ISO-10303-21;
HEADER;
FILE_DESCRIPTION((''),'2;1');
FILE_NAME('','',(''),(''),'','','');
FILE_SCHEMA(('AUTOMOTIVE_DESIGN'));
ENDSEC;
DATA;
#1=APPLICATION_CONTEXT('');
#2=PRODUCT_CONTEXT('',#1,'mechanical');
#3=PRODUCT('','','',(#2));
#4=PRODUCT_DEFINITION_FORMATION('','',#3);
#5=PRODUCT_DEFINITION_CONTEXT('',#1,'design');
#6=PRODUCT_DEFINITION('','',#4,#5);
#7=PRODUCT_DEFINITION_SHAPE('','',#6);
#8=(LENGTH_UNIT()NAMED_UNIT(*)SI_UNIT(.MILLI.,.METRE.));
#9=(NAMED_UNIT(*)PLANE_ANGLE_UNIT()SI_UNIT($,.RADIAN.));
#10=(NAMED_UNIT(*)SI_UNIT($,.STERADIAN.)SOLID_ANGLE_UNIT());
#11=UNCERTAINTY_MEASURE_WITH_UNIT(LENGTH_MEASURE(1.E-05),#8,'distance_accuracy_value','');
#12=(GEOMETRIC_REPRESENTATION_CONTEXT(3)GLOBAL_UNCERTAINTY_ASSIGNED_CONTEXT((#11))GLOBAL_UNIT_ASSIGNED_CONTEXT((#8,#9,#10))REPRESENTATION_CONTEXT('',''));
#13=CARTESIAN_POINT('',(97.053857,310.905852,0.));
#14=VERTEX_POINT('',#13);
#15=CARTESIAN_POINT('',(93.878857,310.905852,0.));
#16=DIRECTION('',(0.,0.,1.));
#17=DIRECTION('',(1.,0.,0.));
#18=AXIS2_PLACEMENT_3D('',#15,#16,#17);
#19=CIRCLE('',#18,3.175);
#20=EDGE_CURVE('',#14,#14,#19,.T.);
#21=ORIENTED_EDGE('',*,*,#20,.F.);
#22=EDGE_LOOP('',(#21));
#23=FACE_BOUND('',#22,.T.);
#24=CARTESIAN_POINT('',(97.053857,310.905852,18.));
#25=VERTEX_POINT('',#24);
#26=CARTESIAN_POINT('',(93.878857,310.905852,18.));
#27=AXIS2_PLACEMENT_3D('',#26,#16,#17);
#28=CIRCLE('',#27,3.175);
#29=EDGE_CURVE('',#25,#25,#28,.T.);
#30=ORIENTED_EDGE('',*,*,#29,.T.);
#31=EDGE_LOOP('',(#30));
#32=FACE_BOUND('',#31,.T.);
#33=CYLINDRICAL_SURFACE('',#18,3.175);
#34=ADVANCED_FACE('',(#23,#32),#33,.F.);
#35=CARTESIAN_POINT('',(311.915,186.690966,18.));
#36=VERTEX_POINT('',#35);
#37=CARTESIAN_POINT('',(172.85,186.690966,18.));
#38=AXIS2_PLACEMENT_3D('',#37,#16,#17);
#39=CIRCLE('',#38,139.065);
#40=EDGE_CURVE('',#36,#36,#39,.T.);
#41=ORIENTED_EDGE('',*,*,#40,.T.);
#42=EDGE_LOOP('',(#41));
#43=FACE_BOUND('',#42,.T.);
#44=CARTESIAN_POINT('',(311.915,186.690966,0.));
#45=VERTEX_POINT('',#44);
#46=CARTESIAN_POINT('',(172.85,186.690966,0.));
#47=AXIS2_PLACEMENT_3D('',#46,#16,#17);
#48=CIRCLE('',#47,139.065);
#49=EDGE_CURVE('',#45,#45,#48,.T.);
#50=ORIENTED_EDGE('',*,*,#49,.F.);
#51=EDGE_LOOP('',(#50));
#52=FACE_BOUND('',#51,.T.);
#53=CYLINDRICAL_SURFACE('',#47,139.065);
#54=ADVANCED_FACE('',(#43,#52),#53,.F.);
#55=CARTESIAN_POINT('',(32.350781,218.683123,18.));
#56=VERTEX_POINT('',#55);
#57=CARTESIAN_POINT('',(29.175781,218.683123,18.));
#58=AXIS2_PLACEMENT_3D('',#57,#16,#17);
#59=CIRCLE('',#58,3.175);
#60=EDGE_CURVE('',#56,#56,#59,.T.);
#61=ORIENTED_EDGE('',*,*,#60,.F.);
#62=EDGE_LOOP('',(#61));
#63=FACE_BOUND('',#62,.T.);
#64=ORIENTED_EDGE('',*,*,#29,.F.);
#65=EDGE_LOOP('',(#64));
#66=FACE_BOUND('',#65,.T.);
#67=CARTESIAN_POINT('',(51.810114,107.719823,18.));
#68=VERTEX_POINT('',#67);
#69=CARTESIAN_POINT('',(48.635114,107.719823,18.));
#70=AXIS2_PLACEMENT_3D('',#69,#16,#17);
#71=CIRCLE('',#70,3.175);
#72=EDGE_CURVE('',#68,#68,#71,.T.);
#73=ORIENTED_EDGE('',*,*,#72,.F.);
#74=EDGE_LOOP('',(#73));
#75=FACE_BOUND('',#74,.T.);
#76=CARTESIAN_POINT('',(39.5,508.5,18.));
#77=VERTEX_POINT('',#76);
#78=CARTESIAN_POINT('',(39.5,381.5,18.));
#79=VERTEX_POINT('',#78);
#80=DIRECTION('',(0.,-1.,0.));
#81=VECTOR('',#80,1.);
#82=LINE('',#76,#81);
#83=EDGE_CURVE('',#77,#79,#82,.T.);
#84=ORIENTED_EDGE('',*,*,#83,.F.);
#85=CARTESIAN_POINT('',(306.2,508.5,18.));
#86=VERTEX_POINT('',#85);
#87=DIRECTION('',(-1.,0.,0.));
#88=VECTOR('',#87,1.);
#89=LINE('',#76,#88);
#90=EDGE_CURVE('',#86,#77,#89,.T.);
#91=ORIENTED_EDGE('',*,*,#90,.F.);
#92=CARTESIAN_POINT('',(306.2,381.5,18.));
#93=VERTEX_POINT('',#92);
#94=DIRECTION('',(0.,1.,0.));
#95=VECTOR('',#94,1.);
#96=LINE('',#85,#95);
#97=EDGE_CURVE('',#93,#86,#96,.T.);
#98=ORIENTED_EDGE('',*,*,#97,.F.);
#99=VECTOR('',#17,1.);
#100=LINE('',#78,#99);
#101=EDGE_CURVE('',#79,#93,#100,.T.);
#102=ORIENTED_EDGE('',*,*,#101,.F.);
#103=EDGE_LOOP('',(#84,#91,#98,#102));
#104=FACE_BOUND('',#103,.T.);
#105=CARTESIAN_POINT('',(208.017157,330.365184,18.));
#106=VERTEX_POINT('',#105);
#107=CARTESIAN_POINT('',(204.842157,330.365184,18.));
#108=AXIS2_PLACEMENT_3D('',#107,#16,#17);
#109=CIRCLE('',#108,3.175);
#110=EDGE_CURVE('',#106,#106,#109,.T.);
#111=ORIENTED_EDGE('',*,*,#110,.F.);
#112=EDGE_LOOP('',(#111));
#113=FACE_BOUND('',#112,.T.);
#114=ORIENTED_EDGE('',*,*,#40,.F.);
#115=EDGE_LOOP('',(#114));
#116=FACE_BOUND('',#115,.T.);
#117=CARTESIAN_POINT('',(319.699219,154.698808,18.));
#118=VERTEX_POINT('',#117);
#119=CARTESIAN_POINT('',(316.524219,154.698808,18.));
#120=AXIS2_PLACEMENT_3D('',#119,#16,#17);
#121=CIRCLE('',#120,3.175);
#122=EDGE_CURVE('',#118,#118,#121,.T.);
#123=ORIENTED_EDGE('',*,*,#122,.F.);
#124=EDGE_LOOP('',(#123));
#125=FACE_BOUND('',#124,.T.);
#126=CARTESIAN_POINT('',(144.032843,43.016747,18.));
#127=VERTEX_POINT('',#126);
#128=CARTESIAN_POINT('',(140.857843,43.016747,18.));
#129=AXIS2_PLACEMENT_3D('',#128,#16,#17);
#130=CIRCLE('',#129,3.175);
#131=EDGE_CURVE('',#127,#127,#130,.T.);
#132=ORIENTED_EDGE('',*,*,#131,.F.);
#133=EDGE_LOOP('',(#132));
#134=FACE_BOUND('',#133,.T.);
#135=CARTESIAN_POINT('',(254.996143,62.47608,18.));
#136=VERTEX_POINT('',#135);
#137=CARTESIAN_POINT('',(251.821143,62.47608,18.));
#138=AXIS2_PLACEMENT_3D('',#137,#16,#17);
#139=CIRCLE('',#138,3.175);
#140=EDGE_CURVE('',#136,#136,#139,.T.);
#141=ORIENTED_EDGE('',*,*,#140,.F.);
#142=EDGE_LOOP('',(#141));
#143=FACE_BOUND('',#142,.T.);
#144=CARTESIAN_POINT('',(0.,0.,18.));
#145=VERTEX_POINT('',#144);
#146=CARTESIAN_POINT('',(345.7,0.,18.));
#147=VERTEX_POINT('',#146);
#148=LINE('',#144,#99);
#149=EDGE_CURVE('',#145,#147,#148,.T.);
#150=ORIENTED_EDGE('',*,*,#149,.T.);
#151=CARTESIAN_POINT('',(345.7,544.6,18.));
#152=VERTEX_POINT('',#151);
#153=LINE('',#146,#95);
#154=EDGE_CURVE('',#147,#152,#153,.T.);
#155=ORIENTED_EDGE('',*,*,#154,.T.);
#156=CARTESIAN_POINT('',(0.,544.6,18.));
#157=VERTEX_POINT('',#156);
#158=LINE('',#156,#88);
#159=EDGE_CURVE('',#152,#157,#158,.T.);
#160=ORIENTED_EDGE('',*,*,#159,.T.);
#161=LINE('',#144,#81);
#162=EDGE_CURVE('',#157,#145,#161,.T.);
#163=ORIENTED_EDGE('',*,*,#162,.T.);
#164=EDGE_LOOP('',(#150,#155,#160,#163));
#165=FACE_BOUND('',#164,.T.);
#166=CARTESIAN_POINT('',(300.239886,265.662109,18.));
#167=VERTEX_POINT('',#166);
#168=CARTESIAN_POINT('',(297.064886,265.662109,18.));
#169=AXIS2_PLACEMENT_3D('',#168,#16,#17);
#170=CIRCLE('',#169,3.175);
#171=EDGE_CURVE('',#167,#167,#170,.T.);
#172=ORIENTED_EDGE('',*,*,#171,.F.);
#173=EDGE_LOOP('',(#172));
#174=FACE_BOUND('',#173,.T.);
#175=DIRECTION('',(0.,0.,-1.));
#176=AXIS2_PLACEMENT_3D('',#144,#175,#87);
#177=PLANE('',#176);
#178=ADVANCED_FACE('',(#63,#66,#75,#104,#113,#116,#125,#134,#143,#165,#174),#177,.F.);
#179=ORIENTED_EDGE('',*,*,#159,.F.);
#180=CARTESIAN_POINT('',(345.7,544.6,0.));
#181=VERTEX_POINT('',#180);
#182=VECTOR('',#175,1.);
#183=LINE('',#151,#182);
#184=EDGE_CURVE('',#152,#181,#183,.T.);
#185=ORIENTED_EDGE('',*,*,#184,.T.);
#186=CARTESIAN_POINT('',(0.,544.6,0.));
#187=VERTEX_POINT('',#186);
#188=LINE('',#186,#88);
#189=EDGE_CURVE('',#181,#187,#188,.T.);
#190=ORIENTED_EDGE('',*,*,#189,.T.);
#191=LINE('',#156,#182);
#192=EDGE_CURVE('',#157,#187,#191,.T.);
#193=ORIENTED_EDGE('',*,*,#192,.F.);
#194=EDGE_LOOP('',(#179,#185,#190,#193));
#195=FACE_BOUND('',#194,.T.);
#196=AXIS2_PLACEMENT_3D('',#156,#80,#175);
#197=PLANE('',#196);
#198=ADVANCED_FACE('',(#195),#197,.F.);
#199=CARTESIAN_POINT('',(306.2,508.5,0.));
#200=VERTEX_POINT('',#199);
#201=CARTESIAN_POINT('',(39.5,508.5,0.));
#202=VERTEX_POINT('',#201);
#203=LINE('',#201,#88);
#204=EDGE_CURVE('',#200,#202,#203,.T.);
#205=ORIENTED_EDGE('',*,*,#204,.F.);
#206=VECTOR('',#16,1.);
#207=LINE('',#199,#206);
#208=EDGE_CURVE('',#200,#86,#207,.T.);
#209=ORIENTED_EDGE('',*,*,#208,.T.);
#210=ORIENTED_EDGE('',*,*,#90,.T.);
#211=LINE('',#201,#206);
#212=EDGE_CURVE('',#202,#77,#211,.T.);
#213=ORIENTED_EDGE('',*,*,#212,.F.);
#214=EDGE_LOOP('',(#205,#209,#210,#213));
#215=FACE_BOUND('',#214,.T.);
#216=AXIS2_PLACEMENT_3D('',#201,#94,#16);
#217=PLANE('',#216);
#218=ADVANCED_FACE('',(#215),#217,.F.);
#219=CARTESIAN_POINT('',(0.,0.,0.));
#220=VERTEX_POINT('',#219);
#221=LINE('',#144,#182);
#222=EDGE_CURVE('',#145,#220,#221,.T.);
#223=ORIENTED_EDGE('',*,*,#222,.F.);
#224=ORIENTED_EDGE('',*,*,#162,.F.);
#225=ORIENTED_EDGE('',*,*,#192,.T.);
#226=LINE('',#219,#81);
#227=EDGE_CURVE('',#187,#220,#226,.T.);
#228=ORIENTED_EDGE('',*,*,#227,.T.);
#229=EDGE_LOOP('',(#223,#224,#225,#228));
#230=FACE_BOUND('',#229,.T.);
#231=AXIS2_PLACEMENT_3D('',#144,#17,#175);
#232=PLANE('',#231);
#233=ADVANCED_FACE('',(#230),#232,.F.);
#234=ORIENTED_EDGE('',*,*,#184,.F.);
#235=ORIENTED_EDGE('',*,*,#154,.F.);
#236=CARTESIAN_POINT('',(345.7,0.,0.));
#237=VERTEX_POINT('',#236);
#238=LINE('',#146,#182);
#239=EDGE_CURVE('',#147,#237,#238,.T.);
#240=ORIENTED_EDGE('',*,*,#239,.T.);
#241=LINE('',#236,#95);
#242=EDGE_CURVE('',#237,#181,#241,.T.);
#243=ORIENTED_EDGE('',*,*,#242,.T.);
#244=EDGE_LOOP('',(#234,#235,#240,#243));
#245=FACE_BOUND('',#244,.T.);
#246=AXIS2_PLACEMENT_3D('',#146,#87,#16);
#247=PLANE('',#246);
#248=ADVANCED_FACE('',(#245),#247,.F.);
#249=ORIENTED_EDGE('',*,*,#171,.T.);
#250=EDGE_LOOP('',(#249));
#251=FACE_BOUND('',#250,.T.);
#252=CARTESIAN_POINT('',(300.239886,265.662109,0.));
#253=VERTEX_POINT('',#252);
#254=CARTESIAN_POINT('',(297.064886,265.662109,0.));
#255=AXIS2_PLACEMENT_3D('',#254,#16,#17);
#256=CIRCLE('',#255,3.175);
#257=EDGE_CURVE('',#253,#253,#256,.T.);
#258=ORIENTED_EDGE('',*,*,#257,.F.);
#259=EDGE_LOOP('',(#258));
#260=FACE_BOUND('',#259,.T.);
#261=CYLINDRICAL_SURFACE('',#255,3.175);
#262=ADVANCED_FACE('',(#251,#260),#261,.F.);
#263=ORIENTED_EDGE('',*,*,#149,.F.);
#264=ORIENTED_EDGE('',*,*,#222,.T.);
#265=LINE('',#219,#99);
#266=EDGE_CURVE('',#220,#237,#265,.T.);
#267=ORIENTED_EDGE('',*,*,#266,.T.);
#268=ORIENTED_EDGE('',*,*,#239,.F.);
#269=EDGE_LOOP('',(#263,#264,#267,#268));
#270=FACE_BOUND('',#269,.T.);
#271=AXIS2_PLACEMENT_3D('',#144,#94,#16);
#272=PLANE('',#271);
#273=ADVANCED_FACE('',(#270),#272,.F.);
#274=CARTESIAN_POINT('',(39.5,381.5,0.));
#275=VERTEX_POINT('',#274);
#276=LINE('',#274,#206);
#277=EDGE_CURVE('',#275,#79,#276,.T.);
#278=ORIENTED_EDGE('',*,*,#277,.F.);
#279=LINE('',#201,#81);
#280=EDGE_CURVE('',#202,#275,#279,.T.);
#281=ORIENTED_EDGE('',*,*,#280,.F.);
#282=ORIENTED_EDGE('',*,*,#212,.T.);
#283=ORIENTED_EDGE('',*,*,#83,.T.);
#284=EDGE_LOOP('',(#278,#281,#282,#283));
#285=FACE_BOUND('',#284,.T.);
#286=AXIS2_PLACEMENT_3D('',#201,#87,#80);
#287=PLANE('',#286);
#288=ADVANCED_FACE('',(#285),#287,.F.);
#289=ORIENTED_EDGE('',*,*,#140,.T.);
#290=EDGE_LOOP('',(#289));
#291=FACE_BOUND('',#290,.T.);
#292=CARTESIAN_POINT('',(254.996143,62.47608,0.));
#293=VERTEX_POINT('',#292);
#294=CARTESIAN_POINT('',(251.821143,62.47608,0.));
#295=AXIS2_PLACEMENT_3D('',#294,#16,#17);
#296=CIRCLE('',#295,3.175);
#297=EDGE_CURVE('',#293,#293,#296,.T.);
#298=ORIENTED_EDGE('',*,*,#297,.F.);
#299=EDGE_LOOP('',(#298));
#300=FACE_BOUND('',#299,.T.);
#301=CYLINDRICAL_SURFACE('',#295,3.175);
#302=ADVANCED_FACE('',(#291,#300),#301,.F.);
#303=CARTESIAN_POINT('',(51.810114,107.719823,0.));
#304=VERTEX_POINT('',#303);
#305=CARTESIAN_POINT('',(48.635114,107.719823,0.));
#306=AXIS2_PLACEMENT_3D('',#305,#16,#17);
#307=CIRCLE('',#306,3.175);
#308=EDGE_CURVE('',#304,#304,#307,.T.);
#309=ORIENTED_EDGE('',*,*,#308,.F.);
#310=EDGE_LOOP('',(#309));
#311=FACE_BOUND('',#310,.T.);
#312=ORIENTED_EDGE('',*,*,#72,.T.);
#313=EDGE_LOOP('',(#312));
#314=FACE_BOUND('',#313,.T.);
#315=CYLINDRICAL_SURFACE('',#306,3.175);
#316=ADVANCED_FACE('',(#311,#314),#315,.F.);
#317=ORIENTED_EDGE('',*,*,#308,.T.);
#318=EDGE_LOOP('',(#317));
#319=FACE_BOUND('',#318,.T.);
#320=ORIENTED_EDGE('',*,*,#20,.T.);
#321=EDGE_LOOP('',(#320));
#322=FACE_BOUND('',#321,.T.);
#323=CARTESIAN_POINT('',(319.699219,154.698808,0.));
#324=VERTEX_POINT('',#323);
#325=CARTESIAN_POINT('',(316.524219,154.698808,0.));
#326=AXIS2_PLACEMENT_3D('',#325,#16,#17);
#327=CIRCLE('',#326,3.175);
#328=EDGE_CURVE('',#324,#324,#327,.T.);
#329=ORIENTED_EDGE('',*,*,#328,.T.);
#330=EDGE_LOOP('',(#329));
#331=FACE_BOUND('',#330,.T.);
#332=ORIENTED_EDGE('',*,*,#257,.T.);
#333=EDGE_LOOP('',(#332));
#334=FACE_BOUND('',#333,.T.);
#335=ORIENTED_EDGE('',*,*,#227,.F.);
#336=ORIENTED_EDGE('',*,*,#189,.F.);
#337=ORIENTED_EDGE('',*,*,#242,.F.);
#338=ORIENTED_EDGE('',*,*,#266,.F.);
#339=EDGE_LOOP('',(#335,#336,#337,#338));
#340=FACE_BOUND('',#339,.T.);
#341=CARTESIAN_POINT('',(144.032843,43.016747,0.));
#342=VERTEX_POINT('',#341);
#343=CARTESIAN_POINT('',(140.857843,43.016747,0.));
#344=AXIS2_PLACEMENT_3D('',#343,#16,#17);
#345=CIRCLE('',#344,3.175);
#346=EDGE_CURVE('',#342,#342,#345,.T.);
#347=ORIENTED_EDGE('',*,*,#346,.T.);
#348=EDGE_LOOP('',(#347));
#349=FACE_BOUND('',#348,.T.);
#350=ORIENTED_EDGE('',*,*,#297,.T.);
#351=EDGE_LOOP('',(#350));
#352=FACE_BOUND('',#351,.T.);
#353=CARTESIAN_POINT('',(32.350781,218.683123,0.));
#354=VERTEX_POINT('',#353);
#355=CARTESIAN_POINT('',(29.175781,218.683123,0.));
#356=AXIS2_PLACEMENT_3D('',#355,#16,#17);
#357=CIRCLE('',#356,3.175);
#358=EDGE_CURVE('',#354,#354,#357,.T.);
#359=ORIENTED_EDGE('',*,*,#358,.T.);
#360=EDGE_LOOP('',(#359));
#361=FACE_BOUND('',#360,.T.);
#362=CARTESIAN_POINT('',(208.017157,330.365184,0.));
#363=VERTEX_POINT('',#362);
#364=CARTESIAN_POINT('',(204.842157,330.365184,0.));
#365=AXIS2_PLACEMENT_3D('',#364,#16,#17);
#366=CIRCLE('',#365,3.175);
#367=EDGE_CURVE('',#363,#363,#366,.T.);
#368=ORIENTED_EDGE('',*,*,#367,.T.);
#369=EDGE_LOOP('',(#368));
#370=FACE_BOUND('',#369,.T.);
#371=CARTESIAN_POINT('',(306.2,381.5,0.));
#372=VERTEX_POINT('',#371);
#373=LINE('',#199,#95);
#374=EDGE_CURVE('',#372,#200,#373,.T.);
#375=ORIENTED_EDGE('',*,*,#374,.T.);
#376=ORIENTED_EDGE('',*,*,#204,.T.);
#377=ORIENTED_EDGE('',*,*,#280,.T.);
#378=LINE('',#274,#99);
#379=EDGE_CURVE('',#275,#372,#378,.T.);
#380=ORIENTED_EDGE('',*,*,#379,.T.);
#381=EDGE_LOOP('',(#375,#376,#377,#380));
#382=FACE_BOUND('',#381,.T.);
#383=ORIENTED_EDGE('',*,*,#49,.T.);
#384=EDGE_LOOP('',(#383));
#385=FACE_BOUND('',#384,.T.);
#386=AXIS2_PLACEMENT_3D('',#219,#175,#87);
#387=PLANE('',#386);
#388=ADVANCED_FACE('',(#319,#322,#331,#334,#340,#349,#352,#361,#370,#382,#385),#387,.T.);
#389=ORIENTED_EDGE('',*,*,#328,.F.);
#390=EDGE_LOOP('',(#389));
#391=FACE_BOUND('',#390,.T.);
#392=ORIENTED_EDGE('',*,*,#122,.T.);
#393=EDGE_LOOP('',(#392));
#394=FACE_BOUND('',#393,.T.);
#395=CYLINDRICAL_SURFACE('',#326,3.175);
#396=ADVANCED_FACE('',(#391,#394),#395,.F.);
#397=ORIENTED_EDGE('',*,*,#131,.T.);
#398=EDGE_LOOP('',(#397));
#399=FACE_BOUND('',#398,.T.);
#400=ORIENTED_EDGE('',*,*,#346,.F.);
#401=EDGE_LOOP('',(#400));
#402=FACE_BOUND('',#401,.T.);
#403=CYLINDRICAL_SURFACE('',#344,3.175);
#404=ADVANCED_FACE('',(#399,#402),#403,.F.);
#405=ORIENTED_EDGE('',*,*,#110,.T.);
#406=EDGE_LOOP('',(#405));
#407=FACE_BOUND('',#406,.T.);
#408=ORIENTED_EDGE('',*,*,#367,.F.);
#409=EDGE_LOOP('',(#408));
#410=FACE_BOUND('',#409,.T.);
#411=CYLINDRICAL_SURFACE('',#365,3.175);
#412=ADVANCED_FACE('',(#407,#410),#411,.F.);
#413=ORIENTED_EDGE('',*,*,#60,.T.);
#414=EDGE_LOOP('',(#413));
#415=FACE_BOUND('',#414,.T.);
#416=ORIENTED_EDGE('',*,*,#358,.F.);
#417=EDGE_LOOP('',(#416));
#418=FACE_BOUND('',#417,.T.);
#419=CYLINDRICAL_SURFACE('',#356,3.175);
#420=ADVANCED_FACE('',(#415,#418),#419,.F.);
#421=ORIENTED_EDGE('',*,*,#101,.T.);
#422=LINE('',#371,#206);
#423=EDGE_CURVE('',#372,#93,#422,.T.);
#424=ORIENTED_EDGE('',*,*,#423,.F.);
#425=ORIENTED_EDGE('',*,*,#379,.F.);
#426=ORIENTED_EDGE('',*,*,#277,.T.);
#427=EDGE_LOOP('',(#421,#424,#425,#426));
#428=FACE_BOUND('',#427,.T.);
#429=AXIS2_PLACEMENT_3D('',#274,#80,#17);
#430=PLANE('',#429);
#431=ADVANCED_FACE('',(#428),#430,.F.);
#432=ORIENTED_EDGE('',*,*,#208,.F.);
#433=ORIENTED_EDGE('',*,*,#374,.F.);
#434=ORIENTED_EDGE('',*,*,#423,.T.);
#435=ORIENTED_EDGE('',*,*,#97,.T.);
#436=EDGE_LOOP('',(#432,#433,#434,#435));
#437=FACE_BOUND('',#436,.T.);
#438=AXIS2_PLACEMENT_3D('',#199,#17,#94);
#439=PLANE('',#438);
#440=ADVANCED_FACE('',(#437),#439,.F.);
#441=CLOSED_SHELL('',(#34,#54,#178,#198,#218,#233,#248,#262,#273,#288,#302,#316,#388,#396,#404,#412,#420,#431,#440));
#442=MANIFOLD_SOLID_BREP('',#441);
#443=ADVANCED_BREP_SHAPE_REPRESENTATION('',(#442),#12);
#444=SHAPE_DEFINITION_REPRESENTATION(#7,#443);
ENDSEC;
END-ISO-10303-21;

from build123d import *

# Parameters (mm, degrees)
SKETCH1_W           = 345.7
SKETCH1_H           = 544.6
BOSS_EXTRUDE1_DEPTH = 18
SKETCH2_W           = 266.7
SKETCH2_H           = 127
CUT_EXTRUDE1_DEPTH  = 19
SKETCH3_R           = 139.065
CUT_EXTRUDE2_DEPTH  = 19
SKETCH4_R           = 3.175
CUT_EXTRUDE3_DEPTH  = 19


with BuildPart() as part:
    # Sketch1 → Boss-Extrude1 (new body)
    with BuildSketch(Plane.XY):
        with Locations((172.85, 272.3)):
            Rectangle(SKETCH1_W, SKETCH1_H)
    extrude(amount=BOSS_EXTRUDE1_DEPTH)

    # Sketch2 → Cut-Extrude1 (cut, through all)
    with BuildSketch(Plane.XY.offset(18)):
        with Locations((172.85, 445)):
            Rectangle(SKETCH2_W, SKETCH2_H)
    extrude(amount=-CUT_EXTRUDE1_DEPTH, mode=Mode.SUBTRACT)

    # Sketch3 → Cut-Extrude2 (cut, through all)
    with BuildSketch(Plane.XY.offset(18)):
        with Locations((172.85, 186.690965799)):
            Circle(SKETCH3_R)
    extrude(amount=-CUT_EXTRUDE2_DEPTH, mode=Mode.SUBTRACT)

    # Sketch4 → Cut-Extrude3 (cut, through all)
    with BuildSketch(Plane.XY.offset(18)):
        with Locations((204.842157428, 330.365184475)):
            Circle(SKETCH4_R)
        with Locations((297.06488577, 265.662108644)):
            Circle(SKETCH4_R)
        with Locations((316.524218676, 154.698808371)):
            Circle(SKETCH4_R)
        with Locations((251.821142845, 62.476080029)):
            Circle(SKETCH4_R)
        with Locations((140.857842572, 43.016747123)):
            Circle(SKETCH4_R)
        with Locations((48.63511423, 107.719822954)):
            Circle(SKETCH4_R)
        with Locations((29.175781324, 218.683123227)):
            Circle(SKETCH4_R)
        with Locations((93.878857155, 310.905851569)):
            Circle(SKETCH4_R)
    extrude(amount=-CUT_EXTRUDE3_DEPTH, mode=Mode.SUBTRACT)


solid = part.part
